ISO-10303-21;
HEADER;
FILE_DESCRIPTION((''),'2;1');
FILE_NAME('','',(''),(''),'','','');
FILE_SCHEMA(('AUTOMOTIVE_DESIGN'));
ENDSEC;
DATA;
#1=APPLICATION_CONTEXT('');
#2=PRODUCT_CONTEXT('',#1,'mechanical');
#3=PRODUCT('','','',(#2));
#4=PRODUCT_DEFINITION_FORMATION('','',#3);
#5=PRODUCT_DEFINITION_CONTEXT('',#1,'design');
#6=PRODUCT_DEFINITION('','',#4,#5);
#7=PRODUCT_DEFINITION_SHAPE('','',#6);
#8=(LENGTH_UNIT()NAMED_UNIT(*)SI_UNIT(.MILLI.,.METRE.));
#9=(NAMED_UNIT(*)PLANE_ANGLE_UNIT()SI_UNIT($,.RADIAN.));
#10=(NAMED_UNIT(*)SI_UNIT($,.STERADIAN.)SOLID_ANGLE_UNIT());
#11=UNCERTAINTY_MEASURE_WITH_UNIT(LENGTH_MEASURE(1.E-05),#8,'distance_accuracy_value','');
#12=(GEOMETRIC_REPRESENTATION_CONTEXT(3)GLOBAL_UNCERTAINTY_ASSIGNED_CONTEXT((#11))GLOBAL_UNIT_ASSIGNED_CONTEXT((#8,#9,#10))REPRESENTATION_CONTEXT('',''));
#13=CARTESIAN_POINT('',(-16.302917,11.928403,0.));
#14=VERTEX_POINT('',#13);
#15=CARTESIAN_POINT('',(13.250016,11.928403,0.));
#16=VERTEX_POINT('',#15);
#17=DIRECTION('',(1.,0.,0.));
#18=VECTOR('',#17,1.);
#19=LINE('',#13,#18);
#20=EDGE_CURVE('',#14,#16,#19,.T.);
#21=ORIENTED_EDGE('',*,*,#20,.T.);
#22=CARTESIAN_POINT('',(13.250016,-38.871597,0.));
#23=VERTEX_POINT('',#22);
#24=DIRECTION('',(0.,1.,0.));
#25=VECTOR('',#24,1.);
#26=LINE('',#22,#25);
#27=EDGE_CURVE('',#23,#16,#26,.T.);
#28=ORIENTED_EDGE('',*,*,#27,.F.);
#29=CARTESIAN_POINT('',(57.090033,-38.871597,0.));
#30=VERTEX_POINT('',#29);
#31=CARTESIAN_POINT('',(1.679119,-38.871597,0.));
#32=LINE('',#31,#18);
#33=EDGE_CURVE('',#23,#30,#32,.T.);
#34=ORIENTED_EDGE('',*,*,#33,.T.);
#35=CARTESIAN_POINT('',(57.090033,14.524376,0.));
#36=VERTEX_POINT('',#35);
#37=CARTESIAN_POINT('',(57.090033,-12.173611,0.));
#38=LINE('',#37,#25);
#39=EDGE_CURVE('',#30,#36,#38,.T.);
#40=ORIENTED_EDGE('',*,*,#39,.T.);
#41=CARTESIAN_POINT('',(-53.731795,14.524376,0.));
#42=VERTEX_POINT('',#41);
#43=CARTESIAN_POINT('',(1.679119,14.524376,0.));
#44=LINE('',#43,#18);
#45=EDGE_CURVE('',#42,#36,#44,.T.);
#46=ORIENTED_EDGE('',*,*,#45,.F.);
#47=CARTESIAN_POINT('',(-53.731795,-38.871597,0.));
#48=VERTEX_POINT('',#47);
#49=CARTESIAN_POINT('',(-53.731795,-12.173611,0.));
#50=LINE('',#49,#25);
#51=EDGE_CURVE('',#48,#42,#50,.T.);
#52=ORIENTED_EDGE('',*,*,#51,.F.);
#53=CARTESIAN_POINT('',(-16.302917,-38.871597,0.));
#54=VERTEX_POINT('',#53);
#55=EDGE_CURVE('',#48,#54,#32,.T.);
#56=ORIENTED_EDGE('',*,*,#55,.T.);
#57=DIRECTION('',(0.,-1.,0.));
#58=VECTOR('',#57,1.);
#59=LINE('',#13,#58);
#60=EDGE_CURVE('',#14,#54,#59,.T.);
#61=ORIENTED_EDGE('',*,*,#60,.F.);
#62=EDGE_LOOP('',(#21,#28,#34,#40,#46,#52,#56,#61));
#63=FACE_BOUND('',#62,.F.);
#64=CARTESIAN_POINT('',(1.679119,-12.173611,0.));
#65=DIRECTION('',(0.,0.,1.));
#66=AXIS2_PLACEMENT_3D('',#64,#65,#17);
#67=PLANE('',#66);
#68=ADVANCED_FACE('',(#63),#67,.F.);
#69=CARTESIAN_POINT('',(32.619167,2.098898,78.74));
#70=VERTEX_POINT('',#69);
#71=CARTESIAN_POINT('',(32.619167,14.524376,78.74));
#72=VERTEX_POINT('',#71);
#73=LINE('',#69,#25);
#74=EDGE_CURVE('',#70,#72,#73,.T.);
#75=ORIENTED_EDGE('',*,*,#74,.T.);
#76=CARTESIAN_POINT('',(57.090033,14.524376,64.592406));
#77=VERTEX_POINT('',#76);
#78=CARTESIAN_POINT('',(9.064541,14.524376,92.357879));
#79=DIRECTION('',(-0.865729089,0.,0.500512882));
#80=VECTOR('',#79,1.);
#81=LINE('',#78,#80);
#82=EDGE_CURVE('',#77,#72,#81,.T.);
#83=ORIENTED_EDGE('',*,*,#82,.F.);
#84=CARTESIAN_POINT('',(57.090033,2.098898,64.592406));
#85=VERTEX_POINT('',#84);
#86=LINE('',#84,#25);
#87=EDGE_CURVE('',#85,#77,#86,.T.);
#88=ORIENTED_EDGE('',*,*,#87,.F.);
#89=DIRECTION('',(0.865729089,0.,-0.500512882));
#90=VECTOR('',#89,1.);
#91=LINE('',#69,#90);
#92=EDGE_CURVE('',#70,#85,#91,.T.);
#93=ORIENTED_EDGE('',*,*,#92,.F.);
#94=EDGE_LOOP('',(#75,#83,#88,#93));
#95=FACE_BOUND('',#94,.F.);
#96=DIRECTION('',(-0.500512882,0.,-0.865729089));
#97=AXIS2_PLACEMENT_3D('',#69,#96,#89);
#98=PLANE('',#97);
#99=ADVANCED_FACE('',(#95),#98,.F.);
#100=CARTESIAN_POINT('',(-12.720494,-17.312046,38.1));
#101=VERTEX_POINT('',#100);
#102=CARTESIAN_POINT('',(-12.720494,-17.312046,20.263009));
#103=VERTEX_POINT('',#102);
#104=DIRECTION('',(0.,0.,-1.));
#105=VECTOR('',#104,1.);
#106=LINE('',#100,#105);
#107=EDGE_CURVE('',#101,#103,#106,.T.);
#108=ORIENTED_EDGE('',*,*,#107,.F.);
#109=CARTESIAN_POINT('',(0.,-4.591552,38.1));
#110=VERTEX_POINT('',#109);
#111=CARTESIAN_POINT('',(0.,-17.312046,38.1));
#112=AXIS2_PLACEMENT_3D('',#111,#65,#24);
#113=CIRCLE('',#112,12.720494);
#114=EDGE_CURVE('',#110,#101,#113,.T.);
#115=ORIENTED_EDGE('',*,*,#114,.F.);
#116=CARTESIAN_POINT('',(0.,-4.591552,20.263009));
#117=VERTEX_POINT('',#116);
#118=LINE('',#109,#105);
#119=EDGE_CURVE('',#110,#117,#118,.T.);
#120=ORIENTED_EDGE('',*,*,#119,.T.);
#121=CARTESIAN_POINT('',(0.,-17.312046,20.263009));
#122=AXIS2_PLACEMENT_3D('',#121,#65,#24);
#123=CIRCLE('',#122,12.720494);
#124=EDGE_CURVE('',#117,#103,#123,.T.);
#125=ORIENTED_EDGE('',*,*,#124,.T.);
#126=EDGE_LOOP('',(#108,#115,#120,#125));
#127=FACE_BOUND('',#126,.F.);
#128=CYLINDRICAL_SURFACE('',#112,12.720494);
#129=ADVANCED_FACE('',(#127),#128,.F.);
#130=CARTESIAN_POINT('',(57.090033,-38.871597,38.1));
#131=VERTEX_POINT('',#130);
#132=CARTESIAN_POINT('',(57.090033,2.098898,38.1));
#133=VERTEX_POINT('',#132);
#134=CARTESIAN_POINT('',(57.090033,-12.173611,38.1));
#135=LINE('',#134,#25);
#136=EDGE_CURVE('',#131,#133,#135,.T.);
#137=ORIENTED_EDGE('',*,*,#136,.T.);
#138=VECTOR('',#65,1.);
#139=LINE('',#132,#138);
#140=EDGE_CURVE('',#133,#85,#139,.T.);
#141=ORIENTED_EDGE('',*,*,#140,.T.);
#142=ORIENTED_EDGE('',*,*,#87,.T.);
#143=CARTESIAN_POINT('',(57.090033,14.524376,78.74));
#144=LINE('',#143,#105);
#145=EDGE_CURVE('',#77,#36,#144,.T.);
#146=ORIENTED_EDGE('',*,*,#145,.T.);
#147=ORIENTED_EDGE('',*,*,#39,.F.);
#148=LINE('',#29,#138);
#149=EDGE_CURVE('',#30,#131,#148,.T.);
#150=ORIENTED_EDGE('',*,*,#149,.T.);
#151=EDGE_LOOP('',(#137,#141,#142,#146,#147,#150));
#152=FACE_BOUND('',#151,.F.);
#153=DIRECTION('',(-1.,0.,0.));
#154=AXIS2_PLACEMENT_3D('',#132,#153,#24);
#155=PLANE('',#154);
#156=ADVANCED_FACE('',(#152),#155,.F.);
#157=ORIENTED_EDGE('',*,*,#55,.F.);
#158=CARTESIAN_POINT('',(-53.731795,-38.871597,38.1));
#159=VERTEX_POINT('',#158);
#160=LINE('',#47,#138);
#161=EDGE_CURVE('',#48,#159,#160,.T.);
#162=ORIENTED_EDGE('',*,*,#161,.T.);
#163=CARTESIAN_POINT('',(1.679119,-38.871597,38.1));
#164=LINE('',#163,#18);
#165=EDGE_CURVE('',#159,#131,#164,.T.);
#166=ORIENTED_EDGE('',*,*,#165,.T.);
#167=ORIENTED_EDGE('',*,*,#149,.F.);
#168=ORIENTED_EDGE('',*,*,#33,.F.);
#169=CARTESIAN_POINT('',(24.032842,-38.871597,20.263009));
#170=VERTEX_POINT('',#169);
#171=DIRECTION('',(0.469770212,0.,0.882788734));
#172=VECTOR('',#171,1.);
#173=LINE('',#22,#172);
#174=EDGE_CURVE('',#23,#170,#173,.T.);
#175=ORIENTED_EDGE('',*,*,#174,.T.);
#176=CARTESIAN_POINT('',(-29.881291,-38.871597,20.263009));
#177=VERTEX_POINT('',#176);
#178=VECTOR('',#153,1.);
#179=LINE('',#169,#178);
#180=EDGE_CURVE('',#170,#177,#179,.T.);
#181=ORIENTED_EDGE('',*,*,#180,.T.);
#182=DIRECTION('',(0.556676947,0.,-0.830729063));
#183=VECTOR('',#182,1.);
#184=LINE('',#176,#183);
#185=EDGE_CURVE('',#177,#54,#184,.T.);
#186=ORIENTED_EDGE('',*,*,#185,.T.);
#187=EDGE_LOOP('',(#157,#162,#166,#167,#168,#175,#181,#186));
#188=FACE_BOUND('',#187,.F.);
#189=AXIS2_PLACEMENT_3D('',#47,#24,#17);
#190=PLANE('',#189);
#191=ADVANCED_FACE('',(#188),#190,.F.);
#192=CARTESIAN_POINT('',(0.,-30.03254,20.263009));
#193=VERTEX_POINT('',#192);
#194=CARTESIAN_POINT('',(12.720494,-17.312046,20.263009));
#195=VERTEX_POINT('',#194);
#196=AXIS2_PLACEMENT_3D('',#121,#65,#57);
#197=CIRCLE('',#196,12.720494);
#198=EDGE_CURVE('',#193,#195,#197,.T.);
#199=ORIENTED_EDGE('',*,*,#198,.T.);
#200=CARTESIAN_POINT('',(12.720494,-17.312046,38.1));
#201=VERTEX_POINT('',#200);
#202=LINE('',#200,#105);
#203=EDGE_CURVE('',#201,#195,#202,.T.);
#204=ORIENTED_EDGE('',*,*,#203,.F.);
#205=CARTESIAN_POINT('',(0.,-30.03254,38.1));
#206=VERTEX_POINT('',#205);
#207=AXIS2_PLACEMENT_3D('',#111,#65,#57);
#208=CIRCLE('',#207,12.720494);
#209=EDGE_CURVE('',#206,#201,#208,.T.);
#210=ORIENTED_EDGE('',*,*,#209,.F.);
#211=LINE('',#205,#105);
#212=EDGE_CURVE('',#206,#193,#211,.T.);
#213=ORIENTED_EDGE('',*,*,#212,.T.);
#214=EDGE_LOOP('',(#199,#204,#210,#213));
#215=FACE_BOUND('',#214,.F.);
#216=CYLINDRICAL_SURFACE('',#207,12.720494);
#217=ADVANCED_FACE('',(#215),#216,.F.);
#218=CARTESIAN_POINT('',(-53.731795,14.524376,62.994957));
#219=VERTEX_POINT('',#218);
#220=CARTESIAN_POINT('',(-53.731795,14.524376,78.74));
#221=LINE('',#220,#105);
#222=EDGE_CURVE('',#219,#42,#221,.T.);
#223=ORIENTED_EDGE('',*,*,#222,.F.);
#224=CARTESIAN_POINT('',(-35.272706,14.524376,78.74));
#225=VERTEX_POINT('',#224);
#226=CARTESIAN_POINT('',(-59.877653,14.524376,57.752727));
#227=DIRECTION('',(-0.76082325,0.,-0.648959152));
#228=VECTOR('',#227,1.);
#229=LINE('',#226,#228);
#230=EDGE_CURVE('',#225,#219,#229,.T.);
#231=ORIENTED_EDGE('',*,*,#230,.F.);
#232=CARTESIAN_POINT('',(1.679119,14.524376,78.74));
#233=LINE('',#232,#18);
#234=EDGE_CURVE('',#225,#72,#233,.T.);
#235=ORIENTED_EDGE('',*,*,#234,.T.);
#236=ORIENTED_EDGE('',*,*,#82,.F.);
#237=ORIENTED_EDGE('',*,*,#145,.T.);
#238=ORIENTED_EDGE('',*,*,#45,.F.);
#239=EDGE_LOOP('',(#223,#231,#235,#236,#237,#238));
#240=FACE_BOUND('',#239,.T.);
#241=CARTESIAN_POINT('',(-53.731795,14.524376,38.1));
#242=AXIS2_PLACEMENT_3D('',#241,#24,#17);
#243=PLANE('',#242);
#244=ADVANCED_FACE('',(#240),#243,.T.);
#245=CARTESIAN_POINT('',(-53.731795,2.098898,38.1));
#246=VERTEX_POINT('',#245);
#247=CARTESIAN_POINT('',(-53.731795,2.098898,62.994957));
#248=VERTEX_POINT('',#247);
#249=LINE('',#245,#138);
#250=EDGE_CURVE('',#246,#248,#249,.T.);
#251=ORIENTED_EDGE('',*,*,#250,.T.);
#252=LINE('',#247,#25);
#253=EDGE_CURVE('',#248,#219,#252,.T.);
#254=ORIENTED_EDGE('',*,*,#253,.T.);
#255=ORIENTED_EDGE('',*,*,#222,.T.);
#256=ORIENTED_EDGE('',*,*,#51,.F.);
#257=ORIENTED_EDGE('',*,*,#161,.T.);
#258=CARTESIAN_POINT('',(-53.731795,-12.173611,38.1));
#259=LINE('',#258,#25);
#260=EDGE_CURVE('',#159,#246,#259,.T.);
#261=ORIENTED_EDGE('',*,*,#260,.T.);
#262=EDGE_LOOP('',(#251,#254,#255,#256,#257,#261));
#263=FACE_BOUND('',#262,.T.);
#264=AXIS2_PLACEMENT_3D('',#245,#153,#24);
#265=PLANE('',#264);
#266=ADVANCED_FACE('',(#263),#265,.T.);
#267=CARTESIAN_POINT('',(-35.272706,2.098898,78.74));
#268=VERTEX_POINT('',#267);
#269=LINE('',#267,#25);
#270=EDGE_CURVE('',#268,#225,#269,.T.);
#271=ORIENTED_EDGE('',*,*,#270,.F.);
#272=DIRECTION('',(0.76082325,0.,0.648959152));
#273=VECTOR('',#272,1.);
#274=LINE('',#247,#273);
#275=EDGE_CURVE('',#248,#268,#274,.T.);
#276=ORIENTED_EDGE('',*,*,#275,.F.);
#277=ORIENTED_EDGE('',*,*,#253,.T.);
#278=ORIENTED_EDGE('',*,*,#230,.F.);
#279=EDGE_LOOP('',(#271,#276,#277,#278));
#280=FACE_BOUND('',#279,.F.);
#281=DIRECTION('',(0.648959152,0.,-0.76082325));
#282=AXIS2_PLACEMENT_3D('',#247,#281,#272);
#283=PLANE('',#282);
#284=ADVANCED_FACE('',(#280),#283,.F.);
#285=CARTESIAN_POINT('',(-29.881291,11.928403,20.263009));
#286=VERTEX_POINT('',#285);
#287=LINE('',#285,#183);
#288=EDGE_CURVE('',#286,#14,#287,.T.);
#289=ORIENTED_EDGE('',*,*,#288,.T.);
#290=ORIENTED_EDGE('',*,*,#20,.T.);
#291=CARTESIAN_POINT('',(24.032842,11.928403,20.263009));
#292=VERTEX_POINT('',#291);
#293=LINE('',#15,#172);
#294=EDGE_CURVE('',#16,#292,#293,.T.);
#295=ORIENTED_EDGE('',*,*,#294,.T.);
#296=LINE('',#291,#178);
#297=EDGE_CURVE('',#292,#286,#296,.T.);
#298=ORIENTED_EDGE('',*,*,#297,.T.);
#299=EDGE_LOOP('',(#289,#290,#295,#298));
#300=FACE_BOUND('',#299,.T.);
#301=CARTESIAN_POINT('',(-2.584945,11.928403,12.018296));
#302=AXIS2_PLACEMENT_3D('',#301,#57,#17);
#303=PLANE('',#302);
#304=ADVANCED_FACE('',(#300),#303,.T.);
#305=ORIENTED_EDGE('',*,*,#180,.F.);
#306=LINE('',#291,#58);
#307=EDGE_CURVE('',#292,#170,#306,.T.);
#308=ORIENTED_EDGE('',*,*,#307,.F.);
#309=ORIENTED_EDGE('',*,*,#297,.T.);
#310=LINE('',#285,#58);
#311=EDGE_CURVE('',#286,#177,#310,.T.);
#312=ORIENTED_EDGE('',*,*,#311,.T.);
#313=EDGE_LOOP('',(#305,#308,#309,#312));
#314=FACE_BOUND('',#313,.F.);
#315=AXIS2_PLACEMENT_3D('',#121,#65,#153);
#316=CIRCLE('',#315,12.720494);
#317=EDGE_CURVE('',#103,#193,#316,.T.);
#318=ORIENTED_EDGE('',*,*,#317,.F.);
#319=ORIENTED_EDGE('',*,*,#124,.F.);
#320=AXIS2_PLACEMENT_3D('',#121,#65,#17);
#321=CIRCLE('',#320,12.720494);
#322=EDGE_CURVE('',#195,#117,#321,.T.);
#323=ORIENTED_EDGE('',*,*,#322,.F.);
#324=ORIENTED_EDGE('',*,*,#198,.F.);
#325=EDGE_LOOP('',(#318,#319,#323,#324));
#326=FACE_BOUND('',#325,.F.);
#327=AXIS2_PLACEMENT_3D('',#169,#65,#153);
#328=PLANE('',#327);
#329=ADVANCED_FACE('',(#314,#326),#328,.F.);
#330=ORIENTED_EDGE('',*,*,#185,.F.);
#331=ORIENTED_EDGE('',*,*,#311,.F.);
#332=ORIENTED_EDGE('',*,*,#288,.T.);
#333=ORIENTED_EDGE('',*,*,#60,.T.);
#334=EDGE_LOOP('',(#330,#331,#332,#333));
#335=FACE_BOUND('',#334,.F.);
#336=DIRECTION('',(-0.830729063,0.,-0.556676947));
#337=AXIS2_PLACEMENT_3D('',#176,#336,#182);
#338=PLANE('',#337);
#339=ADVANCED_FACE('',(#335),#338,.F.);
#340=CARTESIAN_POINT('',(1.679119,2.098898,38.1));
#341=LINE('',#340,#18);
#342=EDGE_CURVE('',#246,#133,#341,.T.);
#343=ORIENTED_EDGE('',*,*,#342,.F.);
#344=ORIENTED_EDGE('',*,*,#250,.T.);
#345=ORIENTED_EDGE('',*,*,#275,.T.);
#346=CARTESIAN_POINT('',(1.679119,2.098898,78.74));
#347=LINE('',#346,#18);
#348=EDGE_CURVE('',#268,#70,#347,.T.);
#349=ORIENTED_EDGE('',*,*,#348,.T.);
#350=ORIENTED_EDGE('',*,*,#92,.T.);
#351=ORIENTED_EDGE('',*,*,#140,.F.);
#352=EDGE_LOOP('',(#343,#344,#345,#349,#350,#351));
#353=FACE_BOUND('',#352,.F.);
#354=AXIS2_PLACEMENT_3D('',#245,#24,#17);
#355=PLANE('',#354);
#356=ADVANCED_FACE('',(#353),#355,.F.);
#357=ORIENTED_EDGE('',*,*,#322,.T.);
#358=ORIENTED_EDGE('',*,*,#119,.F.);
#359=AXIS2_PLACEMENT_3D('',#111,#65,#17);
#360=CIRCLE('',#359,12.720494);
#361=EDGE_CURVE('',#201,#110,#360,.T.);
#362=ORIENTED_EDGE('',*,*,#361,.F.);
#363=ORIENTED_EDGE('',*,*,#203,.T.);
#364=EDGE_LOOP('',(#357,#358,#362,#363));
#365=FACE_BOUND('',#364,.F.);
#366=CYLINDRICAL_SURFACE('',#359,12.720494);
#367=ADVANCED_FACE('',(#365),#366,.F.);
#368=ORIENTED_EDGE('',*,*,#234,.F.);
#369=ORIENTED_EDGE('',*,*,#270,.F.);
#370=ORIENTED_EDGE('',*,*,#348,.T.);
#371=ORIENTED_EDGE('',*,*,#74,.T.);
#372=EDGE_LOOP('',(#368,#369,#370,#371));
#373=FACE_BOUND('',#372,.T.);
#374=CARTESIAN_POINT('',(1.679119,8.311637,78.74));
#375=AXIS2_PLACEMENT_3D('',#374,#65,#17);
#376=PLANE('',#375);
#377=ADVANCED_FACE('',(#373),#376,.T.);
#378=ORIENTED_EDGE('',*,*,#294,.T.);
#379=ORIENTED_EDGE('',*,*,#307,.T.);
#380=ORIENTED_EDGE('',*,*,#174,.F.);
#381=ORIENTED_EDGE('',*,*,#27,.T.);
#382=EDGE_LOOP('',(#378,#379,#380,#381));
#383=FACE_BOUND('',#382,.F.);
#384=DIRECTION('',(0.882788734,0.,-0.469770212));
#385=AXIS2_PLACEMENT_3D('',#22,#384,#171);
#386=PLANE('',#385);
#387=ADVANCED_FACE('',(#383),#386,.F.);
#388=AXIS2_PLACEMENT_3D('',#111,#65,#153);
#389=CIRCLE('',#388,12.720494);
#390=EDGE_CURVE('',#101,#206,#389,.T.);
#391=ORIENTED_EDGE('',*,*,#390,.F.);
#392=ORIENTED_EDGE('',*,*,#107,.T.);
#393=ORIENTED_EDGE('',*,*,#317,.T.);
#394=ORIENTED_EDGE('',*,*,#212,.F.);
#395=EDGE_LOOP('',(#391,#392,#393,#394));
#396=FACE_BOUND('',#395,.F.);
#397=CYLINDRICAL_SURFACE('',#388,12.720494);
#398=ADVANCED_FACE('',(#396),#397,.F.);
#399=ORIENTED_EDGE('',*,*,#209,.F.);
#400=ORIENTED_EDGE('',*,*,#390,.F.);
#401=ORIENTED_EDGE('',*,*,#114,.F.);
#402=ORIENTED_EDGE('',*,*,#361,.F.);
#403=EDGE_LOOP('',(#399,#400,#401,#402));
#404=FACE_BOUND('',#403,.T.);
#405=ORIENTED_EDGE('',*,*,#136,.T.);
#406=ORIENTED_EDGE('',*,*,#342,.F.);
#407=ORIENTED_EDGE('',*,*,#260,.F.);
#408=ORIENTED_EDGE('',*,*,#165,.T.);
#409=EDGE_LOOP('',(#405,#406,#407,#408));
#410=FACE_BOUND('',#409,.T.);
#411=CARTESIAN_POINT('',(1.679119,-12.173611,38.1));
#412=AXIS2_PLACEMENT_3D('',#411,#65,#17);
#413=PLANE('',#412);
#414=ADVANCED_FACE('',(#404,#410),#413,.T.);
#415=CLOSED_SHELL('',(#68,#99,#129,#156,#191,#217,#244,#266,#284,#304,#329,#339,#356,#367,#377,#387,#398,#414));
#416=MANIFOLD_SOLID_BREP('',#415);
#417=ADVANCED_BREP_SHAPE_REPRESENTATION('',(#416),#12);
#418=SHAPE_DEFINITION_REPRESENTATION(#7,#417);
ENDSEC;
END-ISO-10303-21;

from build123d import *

# Parameters (mm, degrees)
F0_W      = 110.8218282461
F0_H      = 53.3959735185
F1_DEPTH  = 38.1
F2_W      = 110.8218282461
F2_H      = 12.4254778493
F3_DEPTH  = 40.64
F5_DEPTH  = 25.4
F7_DEPTH  = 25.4
F8_DEPTH  = 25.4
F10_DEPTH = 25.4


with BuildPart() as f1:
    # F0 (on Top) → F1 (new body)
    with BuildSketch(Plane.XY):
        with Locations((1.6791187227, -12.1736107394)):
            Rectangle(F0_W, F0_H)
    extrude(amount=F1_DEPTH)

    # F2 (on face) → F3 (join)
    with BuildSketch(Plane.XY.offset(38.1)):
        with Locations((1.6791187227, 8.3116370952)):
            Rectangle(F2_W, F2_H)
    extrude(amount=F3_DEPTH)

    # F4 (on face) → F5 (cut)
    with BuildSketch(Plane.XZ.offset(-2.0988981705)):
        Polygon((-53.7317954004, 62.9949569702), (-35.2727063, 78.74), (-53.7317954004, 78.74), align=None)
        Polygon((57.0900328457, 78.74), (32.6191671193, 78.74), (57.0900328457, 64.5924061537), align=None)
    extrude(amount=-F5_DEPTH, mode=Mode.SUBTRACT)

    # F6 (on face) → F7 (cut)
    with BuildSketch(Plane.XZ.offset(38.8715974987)):
        Polygon((-29.8812910914, 20.2630087733), (-16.3029171526, 0), (13.250015676, 0), (24.0328423679, 20.2630087733), align=None)
    extrude(amount=-F7_DEPTH, mode=Mode.SUBTRACT)

    # F8 (cut): a face of the model
    f8_faces = [f1.faces().sort_by_distance(p)[0] for p in [
        (-2.2933313213, -13.4715974987, 11.1171850151),
    ]]
    extrude(f8_faces, amount=-F8_DEPTH, mode=Mode.SUBTRACT)

    # F9 (on face) → F10 (cut)
    with BuildSketch(Plane.XY.offset(38.1)):
        with BuildLine():
            Line((-12.7204942497, -17.3120461404), (0, -17.3120461404))
            Line((0, -17.3120461404), (0, -4.5915518908))
            ThreePointArc((0, -4.5915518908), (-8.994747744, -8.3172983965), (-12.7204942497, -17.3120461404))
        make_face()
        with BuildLine():
            Line((0, -4.5915518908), (0, -17.3120461404))
            Line((0, -17.3120461404), (12.7204942497, -17.3120461404))
            ThreePointArc((12.7204942497, -17.3120461404), (8.994747744, -8.3172983965), (0, -4.5915518908))
        make_face()
        with BuildLine():
            Line((0, -30.0325403901), (0, -17.3120461404))
            Line((0, -17.3120461404), (-12.7204942497, -17.3120461404))
            ThreePointArc((-12.7204942497, -17.3120461404), (-8.994747744, -26.3067938844), (0, -30.0325403901))
        make_face()
        with BuildLine():
            Line((12.7204942497, -17.3120461404), (0, -17.3120461404))
            Line((0, -17.3120461404), (0, -30.0325403901))
            ThreePointArc((0, -30.0325403901), (8.994747744, -26.3067938844), (12.7204942497, -17.3120461404))
        make_face()
    extrude(amount=-F10_DEPTH, mode=Mode.SUBTRACT)


solid = f1.part
